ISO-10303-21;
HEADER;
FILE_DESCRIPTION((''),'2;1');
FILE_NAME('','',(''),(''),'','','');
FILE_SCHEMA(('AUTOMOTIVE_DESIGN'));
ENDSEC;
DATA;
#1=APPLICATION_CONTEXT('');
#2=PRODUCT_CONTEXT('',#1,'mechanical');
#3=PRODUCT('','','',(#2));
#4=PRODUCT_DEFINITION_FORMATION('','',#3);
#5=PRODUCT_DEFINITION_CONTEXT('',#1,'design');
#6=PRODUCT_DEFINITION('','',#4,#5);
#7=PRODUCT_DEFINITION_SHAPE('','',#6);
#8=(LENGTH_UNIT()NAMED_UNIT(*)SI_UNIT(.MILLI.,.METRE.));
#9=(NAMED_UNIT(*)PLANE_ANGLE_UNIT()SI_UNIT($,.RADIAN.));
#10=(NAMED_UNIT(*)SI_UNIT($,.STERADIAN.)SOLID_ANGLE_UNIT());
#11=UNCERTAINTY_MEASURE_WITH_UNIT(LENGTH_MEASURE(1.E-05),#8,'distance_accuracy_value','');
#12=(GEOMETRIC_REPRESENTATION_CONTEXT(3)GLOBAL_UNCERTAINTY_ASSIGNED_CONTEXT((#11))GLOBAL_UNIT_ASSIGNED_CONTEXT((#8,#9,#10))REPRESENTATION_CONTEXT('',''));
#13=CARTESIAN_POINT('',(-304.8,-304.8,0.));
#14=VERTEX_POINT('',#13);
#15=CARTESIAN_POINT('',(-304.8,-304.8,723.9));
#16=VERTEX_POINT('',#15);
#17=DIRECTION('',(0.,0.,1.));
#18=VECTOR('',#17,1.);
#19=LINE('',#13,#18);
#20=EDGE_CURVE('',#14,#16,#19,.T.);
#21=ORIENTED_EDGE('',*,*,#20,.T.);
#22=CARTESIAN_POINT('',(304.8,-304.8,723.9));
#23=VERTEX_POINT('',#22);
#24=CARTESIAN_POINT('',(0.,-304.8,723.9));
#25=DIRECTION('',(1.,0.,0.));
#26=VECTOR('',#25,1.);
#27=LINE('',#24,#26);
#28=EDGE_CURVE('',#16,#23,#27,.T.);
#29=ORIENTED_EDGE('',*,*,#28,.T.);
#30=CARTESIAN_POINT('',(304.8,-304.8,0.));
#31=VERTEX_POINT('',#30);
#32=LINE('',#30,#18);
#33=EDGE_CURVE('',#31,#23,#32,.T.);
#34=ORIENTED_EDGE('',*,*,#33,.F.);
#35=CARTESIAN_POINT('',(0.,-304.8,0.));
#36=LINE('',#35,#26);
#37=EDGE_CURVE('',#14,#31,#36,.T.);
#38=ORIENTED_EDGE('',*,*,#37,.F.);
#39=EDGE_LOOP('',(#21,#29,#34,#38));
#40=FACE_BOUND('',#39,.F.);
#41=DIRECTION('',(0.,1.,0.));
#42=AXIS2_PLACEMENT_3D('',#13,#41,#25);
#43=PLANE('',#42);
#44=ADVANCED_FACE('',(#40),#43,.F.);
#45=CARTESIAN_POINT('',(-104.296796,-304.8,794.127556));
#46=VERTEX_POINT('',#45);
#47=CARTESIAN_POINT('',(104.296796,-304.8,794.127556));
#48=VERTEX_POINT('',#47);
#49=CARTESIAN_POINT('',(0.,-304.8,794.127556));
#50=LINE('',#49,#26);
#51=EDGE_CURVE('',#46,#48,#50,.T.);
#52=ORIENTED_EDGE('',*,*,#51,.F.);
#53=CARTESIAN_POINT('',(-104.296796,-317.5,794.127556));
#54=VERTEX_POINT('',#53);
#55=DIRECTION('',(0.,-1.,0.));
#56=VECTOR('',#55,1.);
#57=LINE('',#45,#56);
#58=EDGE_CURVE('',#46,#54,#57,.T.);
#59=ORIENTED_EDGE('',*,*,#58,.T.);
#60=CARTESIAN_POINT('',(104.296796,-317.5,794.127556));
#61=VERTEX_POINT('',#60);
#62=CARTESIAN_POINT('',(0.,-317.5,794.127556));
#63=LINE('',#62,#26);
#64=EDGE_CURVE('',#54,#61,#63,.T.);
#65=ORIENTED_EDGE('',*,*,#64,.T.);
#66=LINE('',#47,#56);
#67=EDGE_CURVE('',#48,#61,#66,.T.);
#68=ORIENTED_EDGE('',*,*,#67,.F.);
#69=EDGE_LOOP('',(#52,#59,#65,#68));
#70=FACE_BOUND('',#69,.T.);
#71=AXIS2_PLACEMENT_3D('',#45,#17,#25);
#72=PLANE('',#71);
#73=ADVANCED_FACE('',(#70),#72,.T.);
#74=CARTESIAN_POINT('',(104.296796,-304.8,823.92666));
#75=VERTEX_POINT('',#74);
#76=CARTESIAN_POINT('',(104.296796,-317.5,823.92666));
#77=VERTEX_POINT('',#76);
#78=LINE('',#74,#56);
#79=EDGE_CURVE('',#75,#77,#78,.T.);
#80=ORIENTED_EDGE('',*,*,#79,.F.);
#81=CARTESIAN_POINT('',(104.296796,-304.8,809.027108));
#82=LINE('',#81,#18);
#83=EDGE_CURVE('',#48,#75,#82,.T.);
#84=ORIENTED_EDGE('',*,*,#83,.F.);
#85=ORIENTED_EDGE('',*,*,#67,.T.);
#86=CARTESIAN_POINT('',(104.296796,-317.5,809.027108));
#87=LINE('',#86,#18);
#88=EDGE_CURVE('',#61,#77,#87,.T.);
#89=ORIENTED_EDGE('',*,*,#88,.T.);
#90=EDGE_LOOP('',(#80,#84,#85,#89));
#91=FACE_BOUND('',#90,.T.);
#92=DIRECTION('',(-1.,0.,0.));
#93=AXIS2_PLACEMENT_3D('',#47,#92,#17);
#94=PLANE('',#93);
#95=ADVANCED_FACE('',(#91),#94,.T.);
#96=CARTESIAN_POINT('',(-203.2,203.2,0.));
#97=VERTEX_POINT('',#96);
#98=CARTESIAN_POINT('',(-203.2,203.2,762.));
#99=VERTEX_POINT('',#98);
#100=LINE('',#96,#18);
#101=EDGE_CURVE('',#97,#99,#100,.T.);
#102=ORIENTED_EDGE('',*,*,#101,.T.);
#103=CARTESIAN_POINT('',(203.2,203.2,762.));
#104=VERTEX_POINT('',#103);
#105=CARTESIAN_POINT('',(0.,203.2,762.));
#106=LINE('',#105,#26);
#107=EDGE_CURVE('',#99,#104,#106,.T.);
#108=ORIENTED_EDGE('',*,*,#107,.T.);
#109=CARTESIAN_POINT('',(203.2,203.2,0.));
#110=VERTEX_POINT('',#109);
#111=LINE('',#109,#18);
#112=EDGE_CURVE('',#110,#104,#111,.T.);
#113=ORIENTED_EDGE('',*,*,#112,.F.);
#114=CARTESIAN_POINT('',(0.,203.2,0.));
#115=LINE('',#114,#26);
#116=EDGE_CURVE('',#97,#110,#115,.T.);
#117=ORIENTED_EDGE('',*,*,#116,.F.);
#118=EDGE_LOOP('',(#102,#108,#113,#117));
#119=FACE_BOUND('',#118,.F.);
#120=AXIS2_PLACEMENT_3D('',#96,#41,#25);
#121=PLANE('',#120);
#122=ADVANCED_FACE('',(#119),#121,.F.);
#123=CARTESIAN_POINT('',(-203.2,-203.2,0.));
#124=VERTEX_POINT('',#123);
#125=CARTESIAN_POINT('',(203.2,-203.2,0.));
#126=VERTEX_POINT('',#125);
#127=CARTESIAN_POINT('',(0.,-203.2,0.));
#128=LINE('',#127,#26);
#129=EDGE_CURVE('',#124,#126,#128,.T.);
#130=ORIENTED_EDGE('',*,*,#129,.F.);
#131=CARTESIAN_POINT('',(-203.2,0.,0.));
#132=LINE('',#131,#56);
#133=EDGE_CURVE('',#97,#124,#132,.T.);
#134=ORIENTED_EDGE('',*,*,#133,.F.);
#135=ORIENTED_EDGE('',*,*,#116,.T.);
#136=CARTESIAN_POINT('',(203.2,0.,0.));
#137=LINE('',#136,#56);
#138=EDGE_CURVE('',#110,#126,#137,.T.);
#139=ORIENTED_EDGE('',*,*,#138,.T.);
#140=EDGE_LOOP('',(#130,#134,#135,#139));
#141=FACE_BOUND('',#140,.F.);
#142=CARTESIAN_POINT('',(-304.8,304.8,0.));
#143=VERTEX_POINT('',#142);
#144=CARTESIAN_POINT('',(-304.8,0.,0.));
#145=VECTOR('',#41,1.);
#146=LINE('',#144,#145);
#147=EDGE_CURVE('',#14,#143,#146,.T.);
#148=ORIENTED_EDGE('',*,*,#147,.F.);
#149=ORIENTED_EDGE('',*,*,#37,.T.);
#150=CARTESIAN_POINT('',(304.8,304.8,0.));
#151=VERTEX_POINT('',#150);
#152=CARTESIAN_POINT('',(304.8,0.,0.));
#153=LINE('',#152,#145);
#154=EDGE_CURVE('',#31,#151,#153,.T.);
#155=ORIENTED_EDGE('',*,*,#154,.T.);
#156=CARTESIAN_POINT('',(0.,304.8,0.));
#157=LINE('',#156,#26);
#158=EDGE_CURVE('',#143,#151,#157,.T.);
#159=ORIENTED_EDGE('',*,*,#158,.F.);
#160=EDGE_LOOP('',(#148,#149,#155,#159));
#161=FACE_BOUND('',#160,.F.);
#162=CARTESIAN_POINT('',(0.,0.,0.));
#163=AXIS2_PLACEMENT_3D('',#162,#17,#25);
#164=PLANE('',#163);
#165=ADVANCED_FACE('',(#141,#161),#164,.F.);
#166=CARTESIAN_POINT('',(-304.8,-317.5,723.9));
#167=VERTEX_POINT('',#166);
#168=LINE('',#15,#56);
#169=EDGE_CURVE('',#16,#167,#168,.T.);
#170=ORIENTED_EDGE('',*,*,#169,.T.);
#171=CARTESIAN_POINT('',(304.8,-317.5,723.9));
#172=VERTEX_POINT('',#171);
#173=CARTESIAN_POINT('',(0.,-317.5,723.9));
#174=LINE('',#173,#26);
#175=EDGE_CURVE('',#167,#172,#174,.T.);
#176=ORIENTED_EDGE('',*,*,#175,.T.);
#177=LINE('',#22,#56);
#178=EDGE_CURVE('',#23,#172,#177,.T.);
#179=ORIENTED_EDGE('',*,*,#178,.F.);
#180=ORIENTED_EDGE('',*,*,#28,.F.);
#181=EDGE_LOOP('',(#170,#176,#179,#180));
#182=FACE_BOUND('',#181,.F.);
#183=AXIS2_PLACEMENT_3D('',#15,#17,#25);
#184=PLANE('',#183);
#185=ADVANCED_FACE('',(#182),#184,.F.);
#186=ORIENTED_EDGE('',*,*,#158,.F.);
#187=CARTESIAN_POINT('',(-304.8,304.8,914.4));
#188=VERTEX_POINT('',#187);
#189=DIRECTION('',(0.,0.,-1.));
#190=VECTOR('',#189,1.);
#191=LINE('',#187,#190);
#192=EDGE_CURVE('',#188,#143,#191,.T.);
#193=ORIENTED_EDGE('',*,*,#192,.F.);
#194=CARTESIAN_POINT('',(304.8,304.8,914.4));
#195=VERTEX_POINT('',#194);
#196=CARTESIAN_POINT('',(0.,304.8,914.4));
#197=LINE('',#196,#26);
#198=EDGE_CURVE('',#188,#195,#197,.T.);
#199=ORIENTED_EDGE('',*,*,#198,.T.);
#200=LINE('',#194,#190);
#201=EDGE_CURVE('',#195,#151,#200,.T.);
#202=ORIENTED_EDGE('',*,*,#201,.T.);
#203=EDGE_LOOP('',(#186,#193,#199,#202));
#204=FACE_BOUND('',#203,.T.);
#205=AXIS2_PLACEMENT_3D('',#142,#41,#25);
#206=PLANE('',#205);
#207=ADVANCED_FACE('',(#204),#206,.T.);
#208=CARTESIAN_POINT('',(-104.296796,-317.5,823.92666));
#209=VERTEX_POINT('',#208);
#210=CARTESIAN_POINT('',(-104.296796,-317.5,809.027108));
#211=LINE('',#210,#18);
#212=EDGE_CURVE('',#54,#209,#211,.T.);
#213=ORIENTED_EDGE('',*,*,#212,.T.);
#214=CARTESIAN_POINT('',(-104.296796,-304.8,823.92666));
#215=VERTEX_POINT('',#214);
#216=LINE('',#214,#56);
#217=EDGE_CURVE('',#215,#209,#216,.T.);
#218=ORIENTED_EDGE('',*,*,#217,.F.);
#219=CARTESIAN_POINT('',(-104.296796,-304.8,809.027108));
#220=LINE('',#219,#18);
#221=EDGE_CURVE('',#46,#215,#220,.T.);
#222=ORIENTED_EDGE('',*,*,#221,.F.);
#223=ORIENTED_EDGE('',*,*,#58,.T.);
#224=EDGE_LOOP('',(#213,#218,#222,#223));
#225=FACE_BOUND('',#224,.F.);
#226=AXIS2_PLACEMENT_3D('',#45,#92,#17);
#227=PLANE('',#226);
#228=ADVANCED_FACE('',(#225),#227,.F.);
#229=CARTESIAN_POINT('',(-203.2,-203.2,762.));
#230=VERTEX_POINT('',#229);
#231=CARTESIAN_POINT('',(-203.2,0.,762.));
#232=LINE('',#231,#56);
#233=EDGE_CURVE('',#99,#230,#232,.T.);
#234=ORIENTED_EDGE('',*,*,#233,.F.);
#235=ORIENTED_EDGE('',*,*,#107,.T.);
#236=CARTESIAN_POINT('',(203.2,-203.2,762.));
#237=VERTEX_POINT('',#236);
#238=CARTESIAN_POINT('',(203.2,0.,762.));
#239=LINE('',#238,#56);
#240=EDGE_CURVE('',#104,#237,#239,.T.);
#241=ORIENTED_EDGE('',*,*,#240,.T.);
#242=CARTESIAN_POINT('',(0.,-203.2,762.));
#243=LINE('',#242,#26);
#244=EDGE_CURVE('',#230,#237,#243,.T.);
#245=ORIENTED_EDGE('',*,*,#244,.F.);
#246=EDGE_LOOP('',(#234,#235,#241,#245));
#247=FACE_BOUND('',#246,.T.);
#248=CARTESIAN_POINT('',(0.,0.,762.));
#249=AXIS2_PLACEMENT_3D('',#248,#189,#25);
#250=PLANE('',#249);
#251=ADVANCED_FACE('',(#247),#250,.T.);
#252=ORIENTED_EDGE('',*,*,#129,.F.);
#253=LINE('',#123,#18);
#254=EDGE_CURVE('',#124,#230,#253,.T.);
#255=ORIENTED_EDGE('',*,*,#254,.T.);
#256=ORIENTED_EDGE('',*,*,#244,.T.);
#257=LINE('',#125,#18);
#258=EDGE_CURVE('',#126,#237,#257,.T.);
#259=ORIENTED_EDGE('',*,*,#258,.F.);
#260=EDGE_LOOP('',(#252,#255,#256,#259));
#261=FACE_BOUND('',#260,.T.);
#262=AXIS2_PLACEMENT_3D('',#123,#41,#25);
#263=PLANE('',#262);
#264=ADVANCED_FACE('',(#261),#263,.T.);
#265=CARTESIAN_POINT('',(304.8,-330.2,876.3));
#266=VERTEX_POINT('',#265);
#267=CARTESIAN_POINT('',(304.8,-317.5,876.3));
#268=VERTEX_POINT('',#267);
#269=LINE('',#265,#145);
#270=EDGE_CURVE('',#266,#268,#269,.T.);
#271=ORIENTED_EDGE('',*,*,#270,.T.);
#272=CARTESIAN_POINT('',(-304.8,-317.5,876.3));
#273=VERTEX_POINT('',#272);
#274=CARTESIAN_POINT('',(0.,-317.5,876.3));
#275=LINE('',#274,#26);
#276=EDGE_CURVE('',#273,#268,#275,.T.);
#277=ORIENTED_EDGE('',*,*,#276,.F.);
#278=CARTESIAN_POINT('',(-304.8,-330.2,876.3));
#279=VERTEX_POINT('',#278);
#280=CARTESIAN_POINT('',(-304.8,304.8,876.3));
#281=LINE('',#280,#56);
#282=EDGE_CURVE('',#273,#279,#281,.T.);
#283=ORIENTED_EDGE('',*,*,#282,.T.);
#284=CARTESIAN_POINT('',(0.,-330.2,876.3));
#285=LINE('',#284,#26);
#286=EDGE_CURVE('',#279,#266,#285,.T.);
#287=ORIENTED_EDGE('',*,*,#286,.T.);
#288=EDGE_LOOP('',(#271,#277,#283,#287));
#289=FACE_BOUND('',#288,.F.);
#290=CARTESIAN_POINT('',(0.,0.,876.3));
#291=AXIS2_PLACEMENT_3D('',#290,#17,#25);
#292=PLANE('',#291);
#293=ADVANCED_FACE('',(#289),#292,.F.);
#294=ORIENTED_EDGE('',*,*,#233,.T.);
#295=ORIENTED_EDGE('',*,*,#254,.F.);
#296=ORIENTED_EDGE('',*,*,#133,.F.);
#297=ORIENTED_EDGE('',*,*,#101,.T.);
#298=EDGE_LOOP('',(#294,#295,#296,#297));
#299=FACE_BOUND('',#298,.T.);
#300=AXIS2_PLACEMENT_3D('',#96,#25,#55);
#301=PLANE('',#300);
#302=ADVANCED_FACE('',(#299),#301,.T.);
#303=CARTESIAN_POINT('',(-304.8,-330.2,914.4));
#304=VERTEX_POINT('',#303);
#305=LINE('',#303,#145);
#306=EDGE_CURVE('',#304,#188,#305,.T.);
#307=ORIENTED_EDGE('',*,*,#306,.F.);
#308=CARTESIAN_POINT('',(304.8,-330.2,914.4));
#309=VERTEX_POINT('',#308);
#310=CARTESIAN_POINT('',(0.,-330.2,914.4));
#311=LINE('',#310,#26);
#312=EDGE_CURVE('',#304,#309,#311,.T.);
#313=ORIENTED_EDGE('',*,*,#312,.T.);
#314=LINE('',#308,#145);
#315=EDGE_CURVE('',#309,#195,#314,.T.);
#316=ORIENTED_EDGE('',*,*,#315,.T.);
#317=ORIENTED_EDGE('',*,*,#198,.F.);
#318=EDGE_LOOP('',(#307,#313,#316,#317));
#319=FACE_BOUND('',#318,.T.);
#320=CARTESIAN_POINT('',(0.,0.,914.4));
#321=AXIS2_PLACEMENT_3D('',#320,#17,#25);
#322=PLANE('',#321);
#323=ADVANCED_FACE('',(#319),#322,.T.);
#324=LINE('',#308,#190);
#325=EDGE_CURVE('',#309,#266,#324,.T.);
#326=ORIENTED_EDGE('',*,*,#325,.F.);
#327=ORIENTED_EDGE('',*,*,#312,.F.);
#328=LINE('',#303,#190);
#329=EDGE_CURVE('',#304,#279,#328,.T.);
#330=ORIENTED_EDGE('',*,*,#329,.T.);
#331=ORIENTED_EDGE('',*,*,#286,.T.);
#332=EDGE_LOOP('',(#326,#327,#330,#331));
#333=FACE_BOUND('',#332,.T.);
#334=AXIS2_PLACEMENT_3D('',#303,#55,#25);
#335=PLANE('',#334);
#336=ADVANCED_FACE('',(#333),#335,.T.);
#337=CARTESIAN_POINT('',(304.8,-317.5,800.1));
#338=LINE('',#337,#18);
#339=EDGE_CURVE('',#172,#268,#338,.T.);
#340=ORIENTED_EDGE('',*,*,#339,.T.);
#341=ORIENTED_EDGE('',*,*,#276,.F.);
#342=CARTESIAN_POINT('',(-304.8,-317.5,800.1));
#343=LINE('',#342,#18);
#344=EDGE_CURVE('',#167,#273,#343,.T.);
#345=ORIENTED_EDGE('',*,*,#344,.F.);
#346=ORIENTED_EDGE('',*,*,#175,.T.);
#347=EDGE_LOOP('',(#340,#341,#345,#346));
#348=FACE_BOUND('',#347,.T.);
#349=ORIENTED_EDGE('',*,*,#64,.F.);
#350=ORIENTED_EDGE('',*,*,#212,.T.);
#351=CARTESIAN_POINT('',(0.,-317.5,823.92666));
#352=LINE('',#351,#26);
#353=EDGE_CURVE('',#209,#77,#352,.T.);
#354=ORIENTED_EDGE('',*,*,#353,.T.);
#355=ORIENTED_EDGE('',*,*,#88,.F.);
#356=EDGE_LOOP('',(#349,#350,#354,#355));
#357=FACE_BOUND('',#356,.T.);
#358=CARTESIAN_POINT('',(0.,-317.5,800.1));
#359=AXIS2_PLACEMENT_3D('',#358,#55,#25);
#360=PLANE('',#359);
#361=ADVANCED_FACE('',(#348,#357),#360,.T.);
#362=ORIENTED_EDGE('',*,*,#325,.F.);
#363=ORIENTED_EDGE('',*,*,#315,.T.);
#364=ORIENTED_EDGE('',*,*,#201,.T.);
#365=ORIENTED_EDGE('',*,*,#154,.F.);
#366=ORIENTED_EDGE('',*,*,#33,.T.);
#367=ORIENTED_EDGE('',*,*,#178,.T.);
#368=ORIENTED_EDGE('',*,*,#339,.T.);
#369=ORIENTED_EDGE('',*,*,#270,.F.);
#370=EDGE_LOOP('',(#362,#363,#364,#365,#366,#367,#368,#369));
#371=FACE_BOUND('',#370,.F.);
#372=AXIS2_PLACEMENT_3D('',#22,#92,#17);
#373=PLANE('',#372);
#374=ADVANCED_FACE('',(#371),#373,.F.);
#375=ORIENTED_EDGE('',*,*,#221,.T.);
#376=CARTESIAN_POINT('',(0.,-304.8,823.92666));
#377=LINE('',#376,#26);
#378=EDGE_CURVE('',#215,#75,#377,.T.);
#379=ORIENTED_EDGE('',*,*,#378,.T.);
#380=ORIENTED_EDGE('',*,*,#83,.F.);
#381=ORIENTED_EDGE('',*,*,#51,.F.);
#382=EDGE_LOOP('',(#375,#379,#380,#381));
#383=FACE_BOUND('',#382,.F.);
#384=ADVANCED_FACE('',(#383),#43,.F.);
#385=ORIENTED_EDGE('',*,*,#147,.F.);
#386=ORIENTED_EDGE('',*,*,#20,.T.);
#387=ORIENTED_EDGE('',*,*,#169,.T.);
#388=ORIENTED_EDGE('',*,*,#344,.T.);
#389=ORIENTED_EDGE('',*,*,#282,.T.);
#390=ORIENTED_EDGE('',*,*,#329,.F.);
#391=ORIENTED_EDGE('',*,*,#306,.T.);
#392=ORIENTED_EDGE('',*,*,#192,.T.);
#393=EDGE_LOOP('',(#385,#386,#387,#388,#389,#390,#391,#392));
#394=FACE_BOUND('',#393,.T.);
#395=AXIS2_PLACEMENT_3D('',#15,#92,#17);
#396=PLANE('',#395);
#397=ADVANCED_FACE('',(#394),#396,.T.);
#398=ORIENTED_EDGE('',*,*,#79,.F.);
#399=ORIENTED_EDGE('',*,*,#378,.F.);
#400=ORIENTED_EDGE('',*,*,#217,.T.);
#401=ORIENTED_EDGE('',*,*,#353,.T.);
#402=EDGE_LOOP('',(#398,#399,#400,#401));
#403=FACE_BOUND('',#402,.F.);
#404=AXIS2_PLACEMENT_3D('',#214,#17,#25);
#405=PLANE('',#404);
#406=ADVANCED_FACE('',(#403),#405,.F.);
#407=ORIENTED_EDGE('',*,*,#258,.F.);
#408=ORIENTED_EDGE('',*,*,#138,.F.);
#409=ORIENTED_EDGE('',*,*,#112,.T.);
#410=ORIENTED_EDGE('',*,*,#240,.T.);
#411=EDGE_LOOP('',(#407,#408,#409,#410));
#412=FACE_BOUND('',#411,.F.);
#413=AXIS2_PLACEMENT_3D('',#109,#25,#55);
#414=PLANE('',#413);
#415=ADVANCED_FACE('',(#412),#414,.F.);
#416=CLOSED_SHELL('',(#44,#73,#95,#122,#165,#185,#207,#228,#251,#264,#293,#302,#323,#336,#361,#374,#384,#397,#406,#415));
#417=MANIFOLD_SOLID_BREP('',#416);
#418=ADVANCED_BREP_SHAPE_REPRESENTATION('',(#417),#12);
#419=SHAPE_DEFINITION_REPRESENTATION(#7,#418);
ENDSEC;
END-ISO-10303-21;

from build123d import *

# Parameters (mm, degrees)
F0_W     = 609.6
F0_H     = 609.6
F1_DEPTH = 914.4
F2_W     = 609.6
F2_H     = 609.6
F2_H_2   = 25.4
F3_DEPTH = 38.1
F4_W     = 609.6
F4_H     = 152.4
F4_W_2   = 208.593592
F4_H_2   = 29.799104
F5_DEPTH = 12.7
F6_W     = 406.4
F6_H     = 406.4
F7_DEPTH = 762


with BuildPart() as f1:
    # F0 (on Top) → F1 (new body)
    with BuildSketch(Plane.XY):
        Rectangle(F0_W, F0_H)
    extrude(amount=F1_DEPTH)

    # F2 (on face) → F3 (join)
    with BuildSketch(Plane.XY.offset(914.4)):
        Rectangle(F2_W, F2_H)
        with Locations((0, -317.5)):
            Rectangle(F2_W, F2_H_2)
    extrude(amount=-F3_DEPTH)

    # F4 (on face) → F5 (join)
    with BuildSketch(Plane.XZ.offset(304.8)):
        with Locations((0, 800.1)):
            Rectangle(F4_W, F4_H)
        with Locations((0, 809.027108)):
            Rectangle(F4_W_2, F4_H_2, mode=Mode.SUBTRACT)
    extrude(amount=F5_DEPTH)

    # F6 (on face) → F7 (cut)
    with BuildSketch(Plane(origin=(0, 0, 0), x_dir=(1, 0, 0), z_dir=(0, 0, -1))):
        Rectangle(F6_W, F6_H)
    extrude(amount=-F7_DEPTH, mode=Mode.SUBTRACT)


solid = f1.part
